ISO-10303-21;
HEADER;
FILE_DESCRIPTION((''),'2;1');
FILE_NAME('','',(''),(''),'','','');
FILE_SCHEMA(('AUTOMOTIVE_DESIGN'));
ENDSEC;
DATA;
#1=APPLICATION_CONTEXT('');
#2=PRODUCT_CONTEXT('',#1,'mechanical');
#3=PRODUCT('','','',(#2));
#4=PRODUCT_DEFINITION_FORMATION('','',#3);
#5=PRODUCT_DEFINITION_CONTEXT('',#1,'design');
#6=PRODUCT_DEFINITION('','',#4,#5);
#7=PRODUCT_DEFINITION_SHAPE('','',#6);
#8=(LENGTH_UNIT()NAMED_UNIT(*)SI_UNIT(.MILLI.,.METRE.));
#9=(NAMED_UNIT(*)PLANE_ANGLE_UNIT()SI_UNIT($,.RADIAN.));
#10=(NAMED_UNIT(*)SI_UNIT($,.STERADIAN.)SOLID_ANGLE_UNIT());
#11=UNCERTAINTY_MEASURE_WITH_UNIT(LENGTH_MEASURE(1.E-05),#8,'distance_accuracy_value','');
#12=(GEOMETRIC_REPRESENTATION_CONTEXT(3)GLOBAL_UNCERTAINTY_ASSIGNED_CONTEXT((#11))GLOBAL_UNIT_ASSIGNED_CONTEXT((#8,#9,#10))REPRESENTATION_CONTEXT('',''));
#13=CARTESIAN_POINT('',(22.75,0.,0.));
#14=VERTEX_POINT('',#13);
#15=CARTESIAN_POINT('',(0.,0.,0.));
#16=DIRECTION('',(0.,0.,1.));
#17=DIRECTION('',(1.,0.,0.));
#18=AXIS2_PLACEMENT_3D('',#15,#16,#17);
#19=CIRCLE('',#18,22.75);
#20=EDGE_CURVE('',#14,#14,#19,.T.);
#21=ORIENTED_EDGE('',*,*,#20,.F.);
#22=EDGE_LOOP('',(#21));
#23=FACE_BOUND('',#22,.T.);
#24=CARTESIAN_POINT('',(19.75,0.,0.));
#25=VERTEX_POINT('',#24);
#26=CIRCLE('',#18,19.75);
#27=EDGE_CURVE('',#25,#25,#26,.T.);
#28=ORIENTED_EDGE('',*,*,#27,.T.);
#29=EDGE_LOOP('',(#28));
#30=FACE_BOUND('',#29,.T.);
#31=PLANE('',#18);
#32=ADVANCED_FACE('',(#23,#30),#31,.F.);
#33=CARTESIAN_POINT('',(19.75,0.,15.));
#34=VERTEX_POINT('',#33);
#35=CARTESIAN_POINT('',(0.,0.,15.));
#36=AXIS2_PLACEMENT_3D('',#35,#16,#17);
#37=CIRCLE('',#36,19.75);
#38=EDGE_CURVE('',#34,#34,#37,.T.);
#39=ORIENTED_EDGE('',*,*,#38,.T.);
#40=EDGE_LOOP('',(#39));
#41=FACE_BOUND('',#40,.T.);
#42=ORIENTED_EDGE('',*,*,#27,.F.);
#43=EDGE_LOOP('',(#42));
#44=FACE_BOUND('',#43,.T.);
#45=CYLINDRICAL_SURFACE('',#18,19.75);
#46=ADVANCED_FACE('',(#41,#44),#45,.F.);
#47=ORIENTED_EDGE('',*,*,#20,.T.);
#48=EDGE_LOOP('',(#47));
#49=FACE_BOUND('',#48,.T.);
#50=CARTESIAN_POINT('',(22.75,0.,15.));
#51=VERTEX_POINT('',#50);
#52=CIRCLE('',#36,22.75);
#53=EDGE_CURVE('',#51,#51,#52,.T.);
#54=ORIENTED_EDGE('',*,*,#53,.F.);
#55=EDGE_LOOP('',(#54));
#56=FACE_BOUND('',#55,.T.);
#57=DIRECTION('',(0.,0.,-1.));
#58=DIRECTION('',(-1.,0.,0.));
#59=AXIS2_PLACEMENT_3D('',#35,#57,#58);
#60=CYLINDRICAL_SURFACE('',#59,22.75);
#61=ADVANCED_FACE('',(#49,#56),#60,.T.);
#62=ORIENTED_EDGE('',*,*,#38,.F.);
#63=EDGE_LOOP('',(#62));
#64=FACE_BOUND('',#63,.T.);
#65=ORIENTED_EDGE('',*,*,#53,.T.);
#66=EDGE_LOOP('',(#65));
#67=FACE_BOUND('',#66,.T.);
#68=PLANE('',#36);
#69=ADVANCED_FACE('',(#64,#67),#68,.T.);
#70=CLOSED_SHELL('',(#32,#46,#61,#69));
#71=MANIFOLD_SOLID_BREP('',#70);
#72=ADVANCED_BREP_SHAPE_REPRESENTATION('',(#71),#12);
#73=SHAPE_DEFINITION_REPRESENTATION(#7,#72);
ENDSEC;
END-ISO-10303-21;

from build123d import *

# Parameters (mm, degrees)
SKETCH1_R           = 22.75
BOSS_EXTRUDE1_DEPTH = 15
SKETCH2_R           = 19.75
CUT_EXTRUDE1_DEPTH  = 36.498239393


with BuildPart() as part:
    # Sketch1 → Boss-Extrude1 (new body)
    with BuildSketch(Plane.XY):
        Circle(SKETCH1_R)
    extrude(amount=BOSS_EXTRUDE1_DEPTH)

    # Sketch2 → Cut-Extrude1 (cut, through all)
    with BuildSketch(Plane.XY.offset(15)):
        Circle(SKETCH2_R)
    extrude(amount=-CUT_EXTRUDE1_DEPTH, mode=Mode.SUBTRACT)


solid = part.part
